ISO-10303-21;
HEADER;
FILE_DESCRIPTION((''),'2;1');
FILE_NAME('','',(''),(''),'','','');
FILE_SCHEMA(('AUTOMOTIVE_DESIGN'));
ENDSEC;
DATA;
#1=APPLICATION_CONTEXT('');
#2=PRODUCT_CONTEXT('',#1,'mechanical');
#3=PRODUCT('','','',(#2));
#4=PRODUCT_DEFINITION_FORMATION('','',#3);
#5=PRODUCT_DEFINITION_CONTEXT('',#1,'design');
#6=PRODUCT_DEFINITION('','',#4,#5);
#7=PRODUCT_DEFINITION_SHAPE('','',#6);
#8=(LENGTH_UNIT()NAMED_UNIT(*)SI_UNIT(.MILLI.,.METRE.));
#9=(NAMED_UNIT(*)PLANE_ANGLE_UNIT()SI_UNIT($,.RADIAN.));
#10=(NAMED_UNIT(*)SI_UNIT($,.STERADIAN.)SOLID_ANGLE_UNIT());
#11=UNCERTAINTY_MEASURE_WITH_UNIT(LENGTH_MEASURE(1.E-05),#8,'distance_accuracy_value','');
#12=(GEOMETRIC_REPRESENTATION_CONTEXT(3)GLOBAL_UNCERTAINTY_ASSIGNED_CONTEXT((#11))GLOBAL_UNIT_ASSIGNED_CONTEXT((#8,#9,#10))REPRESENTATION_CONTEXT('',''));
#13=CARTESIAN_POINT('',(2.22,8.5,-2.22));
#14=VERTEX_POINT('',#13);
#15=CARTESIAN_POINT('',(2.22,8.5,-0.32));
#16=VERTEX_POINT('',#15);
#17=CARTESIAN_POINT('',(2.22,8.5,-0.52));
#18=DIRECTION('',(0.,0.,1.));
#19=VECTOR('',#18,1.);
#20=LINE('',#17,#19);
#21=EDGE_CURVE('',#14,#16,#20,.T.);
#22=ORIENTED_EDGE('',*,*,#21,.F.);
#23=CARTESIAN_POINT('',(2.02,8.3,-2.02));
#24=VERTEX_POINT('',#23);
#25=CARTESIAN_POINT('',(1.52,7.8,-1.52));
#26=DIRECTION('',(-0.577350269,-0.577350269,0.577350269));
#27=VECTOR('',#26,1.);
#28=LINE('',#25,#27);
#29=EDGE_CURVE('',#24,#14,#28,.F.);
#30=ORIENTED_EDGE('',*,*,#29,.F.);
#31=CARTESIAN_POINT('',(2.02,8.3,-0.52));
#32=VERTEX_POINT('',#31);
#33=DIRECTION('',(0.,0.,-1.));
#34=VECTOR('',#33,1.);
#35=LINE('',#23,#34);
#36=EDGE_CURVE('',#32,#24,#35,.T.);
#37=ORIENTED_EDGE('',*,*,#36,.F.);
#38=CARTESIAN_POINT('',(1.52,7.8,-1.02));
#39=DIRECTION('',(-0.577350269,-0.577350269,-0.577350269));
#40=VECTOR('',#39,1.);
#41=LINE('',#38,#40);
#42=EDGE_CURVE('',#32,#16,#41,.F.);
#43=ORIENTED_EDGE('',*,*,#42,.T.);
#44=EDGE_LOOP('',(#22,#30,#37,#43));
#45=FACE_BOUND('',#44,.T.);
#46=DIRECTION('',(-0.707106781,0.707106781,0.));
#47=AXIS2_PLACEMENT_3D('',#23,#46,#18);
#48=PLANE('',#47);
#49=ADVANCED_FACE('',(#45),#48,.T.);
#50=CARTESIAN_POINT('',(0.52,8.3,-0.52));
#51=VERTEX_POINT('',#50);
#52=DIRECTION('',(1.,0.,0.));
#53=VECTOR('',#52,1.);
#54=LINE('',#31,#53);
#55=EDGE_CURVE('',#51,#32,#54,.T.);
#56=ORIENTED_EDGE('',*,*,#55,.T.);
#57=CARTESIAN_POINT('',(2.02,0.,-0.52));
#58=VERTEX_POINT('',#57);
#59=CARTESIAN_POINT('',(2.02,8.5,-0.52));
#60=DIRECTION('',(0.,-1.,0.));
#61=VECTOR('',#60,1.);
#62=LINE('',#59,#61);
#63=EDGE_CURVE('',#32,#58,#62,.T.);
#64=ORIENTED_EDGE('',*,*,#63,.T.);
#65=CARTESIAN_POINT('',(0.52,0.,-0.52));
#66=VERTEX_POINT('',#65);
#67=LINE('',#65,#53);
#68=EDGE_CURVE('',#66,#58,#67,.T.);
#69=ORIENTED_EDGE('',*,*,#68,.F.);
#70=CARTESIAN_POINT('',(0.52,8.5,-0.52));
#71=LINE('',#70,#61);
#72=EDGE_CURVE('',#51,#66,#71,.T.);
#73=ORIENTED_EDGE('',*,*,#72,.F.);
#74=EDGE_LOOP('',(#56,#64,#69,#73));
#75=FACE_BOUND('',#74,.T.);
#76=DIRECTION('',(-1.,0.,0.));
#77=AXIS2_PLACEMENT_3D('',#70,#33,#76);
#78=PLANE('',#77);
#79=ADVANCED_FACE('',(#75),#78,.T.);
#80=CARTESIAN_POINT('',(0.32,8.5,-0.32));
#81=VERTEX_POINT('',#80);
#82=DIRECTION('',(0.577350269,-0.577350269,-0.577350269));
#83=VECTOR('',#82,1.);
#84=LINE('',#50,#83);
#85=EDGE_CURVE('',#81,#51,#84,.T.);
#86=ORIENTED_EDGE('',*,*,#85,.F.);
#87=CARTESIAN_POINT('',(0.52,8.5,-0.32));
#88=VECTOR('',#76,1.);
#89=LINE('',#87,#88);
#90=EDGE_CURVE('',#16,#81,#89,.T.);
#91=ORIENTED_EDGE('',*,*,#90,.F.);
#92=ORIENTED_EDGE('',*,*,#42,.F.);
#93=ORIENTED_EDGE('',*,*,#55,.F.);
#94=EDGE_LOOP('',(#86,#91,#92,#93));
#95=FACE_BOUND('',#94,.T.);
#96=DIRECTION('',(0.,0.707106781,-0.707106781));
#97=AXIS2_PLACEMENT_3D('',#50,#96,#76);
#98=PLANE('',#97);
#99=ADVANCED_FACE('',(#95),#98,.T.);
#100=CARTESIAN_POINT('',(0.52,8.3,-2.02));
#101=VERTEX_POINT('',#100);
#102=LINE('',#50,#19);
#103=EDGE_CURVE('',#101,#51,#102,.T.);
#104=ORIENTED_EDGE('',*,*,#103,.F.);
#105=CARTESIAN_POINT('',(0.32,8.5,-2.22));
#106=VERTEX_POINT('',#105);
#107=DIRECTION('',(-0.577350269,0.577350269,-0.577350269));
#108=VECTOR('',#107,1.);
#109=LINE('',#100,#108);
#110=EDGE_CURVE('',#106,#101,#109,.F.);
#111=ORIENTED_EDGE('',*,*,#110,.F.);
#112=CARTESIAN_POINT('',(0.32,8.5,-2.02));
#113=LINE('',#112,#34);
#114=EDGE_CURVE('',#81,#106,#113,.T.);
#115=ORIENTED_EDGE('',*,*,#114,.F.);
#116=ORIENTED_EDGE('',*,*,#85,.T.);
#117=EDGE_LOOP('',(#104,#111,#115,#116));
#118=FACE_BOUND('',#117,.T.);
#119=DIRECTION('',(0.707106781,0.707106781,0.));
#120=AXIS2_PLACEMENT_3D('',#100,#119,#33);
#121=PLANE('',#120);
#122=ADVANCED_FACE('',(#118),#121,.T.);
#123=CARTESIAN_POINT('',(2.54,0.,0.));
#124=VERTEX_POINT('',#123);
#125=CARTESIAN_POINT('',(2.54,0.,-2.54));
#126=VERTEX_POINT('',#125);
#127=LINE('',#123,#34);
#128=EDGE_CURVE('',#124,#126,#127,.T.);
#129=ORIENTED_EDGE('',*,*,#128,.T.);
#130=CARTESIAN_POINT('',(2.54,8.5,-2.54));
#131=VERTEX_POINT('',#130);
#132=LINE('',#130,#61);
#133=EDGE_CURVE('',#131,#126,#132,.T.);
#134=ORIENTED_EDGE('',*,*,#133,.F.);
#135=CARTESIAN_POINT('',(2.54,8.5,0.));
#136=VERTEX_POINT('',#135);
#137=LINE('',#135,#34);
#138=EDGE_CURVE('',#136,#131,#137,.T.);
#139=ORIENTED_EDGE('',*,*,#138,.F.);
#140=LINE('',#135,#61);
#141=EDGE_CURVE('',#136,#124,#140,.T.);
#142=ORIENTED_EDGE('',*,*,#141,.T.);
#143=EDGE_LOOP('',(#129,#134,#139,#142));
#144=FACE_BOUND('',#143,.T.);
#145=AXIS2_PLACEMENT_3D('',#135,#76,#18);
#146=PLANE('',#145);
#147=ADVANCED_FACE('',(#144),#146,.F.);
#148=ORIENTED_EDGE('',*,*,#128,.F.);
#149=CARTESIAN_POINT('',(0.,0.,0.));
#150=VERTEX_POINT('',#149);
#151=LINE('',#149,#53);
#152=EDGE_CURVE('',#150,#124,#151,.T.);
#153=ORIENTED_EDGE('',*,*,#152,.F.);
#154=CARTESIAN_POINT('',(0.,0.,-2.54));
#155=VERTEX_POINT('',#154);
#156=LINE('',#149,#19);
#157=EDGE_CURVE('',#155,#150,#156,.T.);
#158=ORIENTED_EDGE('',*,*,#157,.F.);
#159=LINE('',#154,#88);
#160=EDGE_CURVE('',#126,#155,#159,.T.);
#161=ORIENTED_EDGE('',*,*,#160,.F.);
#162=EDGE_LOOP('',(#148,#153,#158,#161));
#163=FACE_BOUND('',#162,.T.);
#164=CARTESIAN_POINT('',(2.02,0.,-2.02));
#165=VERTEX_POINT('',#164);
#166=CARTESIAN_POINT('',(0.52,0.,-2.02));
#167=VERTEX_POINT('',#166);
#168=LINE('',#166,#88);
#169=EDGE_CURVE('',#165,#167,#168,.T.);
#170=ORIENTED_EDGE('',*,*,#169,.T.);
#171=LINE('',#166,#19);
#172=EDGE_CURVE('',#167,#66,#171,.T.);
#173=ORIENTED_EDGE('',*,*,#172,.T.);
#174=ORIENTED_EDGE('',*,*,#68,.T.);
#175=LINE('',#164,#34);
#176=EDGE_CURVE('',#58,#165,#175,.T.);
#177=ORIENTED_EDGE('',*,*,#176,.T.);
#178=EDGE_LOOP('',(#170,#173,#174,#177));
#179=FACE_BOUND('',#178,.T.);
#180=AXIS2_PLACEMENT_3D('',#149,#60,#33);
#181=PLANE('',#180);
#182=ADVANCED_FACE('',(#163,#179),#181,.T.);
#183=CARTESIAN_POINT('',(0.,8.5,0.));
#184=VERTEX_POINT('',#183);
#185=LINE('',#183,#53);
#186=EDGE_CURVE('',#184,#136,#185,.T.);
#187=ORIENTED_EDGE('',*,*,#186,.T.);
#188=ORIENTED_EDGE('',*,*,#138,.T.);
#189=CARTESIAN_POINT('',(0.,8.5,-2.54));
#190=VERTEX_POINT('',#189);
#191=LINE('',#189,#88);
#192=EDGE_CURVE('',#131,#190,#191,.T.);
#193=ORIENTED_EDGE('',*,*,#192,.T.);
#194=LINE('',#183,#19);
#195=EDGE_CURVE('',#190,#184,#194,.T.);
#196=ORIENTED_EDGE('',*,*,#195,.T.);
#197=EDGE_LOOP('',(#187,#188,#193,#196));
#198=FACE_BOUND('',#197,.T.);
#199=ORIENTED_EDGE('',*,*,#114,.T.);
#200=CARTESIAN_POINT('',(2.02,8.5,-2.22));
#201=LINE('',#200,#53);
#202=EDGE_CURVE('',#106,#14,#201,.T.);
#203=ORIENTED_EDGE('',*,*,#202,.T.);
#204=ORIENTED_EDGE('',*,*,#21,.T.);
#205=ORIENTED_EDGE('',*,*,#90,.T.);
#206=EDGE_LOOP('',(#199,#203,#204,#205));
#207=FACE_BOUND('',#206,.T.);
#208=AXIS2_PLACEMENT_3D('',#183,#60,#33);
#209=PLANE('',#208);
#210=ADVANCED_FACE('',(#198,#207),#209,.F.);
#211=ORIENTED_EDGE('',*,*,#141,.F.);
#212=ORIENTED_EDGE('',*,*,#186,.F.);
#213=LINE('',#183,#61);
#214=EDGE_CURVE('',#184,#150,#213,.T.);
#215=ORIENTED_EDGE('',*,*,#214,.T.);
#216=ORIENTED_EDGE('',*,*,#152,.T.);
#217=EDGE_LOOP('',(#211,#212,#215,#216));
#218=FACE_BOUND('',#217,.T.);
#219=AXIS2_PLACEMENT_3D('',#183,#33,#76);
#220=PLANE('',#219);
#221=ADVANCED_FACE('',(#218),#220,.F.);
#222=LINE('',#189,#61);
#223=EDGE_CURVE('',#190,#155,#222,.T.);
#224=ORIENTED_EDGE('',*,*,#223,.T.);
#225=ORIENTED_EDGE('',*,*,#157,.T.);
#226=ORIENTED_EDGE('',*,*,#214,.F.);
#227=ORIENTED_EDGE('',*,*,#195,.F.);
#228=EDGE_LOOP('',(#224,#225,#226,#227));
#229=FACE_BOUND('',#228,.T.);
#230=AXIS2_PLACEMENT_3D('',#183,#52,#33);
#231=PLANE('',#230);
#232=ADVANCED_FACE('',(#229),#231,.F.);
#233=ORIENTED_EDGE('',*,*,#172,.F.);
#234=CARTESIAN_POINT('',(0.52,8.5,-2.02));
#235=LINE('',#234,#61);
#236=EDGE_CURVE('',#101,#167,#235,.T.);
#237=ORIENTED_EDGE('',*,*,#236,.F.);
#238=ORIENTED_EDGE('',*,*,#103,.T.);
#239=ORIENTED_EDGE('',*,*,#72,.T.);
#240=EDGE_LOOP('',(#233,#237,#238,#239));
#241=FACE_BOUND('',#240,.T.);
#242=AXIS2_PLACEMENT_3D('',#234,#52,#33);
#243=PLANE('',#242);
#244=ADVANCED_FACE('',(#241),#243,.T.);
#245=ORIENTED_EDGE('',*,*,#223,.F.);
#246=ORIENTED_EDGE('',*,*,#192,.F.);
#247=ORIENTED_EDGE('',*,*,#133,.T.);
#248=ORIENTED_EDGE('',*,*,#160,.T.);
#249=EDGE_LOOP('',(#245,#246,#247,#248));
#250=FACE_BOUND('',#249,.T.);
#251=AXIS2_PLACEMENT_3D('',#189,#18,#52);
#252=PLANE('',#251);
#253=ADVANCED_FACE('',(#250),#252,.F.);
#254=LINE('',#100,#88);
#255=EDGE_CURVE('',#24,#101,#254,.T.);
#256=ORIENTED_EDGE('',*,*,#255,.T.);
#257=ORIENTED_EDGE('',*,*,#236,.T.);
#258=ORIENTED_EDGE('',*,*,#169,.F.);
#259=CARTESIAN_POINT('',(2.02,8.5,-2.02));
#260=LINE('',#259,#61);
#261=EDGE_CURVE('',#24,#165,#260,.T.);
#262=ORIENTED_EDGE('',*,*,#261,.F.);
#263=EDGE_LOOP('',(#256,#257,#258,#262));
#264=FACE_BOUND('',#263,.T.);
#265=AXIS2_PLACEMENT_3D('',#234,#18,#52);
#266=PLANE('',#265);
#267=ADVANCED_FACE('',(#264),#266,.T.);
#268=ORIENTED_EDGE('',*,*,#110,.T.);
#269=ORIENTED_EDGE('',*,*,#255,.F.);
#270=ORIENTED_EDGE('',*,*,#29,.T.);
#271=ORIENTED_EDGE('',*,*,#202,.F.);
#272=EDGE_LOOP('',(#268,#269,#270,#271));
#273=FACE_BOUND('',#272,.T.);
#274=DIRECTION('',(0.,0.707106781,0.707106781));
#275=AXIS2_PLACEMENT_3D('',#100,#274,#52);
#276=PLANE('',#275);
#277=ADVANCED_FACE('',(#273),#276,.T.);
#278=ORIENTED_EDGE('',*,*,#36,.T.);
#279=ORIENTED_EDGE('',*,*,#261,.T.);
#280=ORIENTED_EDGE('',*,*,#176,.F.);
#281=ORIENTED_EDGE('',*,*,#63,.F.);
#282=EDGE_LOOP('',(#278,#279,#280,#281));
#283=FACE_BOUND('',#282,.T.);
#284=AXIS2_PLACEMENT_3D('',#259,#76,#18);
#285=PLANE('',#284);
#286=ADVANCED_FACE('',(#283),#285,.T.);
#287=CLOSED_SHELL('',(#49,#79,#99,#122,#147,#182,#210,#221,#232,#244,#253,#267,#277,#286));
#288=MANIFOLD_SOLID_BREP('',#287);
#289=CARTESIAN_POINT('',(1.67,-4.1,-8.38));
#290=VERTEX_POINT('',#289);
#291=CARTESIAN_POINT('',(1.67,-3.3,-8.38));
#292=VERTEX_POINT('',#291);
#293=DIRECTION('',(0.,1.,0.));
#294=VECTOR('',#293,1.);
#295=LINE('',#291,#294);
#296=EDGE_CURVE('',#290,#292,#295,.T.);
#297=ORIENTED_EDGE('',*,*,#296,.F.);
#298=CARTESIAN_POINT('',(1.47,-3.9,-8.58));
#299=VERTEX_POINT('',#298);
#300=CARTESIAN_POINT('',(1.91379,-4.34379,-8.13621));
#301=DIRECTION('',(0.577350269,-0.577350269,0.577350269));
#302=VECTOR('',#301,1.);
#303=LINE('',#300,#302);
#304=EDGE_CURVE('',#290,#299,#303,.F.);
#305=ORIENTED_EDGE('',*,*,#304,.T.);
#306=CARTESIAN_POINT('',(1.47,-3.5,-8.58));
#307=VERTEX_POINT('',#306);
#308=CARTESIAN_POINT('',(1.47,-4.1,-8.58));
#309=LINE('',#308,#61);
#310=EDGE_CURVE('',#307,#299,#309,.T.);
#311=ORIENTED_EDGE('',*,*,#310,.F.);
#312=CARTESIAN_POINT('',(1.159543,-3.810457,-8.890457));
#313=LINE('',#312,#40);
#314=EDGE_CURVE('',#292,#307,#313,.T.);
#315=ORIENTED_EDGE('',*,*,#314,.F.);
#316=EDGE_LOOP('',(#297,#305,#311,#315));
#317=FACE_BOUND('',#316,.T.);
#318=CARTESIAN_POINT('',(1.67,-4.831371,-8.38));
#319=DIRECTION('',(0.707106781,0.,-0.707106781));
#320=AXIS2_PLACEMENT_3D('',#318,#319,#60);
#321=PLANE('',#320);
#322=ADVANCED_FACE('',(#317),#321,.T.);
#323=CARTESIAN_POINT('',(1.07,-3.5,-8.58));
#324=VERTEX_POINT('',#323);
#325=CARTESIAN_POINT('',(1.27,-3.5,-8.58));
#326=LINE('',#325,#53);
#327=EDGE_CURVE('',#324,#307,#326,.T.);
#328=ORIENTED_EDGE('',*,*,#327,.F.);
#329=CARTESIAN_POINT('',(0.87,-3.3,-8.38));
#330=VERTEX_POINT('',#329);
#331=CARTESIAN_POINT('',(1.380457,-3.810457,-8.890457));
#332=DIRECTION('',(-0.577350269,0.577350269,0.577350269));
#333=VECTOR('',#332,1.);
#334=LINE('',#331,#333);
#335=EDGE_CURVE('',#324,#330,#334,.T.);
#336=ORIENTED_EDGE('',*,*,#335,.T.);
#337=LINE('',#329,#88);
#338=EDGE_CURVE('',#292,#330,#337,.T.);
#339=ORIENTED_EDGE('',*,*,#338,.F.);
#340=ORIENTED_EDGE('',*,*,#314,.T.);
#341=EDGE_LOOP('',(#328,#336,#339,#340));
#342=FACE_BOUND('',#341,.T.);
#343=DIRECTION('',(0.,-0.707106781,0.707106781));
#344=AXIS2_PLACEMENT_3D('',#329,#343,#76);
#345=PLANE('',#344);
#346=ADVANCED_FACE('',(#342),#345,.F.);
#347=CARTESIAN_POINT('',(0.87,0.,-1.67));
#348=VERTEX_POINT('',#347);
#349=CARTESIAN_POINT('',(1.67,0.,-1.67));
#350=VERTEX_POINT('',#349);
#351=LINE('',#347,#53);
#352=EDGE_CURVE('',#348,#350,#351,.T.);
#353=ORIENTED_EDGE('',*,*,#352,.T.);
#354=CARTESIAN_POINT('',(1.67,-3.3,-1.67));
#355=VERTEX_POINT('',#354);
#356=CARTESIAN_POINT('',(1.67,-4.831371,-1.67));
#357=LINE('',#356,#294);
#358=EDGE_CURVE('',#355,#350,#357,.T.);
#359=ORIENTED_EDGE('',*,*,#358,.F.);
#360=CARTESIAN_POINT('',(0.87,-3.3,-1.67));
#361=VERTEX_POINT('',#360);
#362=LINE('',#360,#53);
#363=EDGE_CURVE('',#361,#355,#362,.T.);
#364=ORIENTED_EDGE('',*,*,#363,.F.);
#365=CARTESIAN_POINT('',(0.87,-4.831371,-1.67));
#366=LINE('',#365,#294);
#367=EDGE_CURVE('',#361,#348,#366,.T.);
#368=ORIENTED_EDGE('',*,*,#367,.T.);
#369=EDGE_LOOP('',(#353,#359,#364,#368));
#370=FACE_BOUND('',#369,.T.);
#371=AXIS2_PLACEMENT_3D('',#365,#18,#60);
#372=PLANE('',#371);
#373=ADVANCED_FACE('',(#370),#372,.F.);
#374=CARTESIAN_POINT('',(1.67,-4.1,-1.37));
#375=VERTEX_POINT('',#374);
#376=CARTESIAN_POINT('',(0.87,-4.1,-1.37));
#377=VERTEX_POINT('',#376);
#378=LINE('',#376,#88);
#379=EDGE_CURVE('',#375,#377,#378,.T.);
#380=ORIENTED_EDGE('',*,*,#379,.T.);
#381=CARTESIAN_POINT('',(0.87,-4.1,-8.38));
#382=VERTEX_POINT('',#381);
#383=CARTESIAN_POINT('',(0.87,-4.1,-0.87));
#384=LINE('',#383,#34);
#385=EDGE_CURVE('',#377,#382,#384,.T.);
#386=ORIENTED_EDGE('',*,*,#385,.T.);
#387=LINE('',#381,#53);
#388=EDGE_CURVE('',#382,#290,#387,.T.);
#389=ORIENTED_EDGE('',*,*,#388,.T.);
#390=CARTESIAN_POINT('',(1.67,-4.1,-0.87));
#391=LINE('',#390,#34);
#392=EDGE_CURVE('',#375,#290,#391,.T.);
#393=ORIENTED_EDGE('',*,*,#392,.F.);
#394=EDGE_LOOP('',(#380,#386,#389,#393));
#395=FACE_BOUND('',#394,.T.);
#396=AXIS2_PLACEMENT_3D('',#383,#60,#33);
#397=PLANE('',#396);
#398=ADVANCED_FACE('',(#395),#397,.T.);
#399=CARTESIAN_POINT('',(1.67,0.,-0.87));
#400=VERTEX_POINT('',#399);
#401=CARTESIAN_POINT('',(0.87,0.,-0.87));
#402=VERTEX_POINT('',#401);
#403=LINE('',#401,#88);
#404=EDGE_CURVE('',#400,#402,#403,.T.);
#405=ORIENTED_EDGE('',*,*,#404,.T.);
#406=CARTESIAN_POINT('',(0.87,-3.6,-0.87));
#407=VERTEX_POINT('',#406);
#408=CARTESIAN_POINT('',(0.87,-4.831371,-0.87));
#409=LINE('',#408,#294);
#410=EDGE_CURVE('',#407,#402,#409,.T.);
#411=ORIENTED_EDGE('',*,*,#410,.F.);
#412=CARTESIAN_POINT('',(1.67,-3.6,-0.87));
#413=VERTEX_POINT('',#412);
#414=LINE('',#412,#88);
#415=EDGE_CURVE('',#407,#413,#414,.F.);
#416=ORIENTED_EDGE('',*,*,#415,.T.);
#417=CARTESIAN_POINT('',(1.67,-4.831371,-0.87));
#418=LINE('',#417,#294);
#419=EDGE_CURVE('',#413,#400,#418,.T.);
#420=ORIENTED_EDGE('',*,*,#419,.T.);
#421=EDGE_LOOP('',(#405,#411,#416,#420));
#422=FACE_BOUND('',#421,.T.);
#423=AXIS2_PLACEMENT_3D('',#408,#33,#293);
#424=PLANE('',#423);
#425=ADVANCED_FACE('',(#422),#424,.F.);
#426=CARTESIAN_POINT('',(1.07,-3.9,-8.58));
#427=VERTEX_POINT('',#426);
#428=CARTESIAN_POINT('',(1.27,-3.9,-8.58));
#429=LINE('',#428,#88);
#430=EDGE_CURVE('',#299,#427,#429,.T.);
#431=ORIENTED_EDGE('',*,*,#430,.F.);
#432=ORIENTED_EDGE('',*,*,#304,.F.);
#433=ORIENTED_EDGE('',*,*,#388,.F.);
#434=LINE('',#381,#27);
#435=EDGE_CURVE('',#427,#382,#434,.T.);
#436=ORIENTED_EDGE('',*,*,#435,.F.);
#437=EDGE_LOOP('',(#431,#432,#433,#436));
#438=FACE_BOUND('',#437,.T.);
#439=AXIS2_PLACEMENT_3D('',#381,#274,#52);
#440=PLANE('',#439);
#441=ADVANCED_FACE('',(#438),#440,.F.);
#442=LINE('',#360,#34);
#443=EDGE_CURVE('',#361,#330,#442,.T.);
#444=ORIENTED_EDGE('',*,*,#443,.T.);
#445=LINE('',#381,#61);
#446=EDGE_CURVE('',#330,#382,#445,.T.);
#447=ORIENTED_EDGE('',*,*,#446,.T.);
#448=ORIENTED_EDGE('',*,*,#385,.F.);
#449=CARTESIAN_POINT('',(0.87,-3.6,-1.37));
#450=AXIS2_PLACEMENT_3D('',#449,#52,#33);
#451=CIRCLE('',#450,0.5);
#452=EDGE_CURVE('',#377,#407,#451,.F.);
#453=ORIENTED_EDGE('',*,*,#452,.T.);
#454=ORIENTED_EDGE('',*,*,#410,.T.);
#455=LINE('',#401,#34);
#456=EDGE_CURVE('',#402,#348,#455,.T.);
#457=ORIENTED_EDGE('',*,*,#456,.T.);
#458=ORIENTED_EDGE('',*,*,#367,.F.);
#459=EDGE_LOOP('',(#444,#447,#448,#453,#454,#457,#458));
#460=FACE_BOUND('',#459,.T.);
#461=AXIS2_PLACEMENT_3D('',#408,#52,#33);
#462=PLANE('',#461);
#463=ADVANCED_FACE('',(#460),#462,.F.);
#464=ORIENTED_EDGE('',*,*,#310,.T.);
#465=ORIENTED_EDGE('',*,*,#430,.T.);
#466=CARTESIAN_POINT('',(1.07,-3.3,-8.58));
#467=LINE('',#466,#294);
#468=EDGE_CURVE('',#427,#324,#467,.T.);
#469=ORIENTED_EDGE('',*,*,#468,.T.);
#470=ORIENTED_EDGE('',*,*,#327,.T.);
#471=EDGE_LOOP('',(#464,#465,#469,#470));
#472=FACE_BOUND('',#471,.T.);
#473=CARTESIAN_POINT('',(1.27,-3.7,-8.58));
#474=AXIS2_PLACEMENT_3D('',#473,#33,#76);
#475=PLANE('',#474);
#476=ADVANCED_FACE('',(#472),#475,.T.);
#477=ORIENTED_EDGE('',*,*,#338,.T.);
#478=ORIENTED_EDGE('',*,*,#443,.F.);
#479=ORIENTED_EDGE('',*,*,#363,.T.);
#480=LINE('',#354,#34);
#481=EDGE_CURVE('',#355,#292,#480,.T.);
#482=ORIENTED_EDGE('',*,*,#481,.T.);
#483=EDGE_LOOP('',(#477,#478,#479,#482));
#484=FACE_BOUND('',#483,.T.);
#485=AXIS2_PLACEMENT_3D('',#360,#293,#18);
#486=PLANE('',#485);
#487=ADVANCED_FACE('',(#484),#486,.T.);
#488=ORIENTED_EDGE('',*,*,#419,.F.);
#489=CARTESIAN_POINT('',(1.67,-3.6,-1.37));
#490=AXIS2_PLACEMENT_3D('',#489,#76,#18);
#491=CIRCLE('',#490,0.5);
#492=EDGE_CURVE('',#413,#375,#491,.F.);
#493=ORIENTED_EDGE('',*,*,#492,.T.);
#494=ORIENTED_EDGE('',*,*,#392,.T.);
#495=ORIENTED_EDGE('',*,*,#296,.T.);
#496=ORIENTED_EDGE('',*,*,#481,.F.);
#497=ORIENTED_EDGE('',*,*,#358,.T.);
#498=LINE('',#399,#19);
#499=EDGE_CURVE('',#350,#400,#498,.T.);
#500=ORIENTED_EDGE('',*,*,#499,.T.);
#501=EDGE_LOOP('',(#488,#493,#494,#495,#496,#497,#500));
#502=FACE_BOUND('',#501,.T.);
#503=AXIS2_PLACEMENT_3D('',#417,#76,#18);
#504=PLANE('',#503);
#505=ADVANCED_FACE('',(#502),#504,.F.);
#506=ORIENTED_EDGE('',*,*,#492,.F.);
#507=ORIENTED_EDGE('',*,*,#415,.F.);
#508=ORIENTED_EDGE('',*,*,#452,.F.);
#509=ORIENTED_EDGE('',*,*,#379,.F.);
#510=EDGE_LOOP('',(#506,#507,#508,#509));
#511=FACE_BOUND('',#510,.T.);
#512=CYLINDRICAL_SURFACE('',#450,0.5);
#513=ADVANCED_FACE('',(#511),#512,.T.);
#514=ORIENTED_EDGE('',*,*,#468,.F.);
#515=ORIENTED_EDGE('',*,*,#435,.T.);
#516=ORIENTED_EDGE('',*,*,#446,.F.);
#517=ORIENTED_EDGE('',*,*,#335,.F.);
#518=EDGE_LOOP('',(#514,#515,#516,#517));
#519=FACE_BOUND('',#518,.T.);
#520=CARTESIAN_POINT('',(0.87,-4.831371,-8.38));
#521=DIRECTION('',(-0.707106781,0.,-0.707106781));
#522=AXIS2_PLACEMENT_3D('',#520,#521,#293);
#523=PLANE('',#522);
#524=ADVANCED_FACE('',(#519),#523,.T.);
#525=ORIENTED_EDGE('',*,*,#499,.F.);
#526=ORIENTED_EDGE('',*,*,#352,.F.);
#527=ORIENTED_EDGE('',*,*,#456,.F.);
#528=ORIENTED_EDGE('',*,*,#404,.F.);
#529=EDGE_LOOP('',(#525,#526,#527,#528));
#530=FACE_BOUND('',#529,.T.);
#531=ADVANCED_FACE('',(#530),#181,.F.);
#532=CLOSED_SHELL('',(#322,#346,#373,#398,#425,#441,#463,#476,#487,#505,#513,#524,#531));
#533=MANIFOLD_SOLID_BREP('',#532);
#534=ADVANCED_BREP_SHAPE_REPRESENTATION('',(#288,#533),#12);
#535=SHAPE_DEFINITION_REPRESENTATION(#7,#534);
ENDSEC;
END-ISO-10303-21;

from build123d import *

# Parameters (mm, degrees)
SKETCH_1_W      = 2.54
SKETCH_1_H      = 2.54
SKETCH_1_W_2    = 1.5
SKETCH_1_H_2    = 1.5
EXTRUDE_1_DEPTH = 8.5
SKETCH_2_2_W    = 0.8
SKETCH_2_2_H    = 0.8
CHAMFER_1_SIZE  = 0.2
CHAMFER_3_SIZE  = 0.2
FILLET_2_R      = 0.5


with BuildPart() as part:
    # Эскиз1 → Бобышка-Вытянуть1 (new body)
    with BuildSketch(Plane(origin=(0, 0, 0), x_dir=(1, 0, 0), z_dir=(0, 1, 0))):
        with Locations((1.27, 1.27)):
            Rectangle(SKETCH_1_W, SKETCH_1_H)
        with Locations((1.27, 1.27)):
            Rectangle(SKETCH_1_W_2, SKETCH_1_H_2, mode=Mode.SUBTRACT)
    extrude(amount=EXTRUDE_1_DEPTH)

    # Фаска1
    chamfer_1_edges = [part.edges().sort_by_distance(p)[0] for p in [
        (2.02, 8.5, -1.27),
        (1.27, 8.5, -2.02),
        (0.52, 8.5, -1.27),
        (1.27, 8.5, -0.52),
    ]]
    chamfer(chamfer_1_edges, length=CHAMFER_1_SIZE)


with BuildPart() as body_2:
    # По траектории2: sweep along a path in Эскиз4
    with BuildLine(Plane(origin=(1.27, 0, 0), x_dir=(0, 0, -1), z_dir=(1, 0, 0))) as sweep_2_path:
        Line((1.27, 0), (1.27, -3.7))
        Line((1.27, -3.7), (8.58, -3.7))
    # Эскиз2<2> → По траектории2 (sweep)
    with BuildSketch(Plane.XZ):
        with Locations((1.27, -1.27)):
            Rectangle(SKETCH_2_2_W, SKETCH_2_2_H)
    sweep(path=sweep_2_path.line, transition=Transition.RIGHT)

    # Фаска3
    chamfer_3_edges = [body_2.edges().sort_by_distance(p)[0] for p in [
        (0.87, -3.7, -8.58),
        (1.27, -4.1, -8.58),
        (1.67, -3.7, -8.58),
        (1.27, -3.3, -8.58),
    ]]
    chamfer(chamfer_3_edges, length=CHAMFER_3_SIZE)

    # Скругление2
    fillet_2_edges = [body_2.edges().sort_by_distance(p)[0] for p in [
        (1.27, -4.1, -0.87),
    ]]
    fillet(fillet_2_edges, radius=FILLET_2_R)


solid = Compound([part.part, body_2.part])
